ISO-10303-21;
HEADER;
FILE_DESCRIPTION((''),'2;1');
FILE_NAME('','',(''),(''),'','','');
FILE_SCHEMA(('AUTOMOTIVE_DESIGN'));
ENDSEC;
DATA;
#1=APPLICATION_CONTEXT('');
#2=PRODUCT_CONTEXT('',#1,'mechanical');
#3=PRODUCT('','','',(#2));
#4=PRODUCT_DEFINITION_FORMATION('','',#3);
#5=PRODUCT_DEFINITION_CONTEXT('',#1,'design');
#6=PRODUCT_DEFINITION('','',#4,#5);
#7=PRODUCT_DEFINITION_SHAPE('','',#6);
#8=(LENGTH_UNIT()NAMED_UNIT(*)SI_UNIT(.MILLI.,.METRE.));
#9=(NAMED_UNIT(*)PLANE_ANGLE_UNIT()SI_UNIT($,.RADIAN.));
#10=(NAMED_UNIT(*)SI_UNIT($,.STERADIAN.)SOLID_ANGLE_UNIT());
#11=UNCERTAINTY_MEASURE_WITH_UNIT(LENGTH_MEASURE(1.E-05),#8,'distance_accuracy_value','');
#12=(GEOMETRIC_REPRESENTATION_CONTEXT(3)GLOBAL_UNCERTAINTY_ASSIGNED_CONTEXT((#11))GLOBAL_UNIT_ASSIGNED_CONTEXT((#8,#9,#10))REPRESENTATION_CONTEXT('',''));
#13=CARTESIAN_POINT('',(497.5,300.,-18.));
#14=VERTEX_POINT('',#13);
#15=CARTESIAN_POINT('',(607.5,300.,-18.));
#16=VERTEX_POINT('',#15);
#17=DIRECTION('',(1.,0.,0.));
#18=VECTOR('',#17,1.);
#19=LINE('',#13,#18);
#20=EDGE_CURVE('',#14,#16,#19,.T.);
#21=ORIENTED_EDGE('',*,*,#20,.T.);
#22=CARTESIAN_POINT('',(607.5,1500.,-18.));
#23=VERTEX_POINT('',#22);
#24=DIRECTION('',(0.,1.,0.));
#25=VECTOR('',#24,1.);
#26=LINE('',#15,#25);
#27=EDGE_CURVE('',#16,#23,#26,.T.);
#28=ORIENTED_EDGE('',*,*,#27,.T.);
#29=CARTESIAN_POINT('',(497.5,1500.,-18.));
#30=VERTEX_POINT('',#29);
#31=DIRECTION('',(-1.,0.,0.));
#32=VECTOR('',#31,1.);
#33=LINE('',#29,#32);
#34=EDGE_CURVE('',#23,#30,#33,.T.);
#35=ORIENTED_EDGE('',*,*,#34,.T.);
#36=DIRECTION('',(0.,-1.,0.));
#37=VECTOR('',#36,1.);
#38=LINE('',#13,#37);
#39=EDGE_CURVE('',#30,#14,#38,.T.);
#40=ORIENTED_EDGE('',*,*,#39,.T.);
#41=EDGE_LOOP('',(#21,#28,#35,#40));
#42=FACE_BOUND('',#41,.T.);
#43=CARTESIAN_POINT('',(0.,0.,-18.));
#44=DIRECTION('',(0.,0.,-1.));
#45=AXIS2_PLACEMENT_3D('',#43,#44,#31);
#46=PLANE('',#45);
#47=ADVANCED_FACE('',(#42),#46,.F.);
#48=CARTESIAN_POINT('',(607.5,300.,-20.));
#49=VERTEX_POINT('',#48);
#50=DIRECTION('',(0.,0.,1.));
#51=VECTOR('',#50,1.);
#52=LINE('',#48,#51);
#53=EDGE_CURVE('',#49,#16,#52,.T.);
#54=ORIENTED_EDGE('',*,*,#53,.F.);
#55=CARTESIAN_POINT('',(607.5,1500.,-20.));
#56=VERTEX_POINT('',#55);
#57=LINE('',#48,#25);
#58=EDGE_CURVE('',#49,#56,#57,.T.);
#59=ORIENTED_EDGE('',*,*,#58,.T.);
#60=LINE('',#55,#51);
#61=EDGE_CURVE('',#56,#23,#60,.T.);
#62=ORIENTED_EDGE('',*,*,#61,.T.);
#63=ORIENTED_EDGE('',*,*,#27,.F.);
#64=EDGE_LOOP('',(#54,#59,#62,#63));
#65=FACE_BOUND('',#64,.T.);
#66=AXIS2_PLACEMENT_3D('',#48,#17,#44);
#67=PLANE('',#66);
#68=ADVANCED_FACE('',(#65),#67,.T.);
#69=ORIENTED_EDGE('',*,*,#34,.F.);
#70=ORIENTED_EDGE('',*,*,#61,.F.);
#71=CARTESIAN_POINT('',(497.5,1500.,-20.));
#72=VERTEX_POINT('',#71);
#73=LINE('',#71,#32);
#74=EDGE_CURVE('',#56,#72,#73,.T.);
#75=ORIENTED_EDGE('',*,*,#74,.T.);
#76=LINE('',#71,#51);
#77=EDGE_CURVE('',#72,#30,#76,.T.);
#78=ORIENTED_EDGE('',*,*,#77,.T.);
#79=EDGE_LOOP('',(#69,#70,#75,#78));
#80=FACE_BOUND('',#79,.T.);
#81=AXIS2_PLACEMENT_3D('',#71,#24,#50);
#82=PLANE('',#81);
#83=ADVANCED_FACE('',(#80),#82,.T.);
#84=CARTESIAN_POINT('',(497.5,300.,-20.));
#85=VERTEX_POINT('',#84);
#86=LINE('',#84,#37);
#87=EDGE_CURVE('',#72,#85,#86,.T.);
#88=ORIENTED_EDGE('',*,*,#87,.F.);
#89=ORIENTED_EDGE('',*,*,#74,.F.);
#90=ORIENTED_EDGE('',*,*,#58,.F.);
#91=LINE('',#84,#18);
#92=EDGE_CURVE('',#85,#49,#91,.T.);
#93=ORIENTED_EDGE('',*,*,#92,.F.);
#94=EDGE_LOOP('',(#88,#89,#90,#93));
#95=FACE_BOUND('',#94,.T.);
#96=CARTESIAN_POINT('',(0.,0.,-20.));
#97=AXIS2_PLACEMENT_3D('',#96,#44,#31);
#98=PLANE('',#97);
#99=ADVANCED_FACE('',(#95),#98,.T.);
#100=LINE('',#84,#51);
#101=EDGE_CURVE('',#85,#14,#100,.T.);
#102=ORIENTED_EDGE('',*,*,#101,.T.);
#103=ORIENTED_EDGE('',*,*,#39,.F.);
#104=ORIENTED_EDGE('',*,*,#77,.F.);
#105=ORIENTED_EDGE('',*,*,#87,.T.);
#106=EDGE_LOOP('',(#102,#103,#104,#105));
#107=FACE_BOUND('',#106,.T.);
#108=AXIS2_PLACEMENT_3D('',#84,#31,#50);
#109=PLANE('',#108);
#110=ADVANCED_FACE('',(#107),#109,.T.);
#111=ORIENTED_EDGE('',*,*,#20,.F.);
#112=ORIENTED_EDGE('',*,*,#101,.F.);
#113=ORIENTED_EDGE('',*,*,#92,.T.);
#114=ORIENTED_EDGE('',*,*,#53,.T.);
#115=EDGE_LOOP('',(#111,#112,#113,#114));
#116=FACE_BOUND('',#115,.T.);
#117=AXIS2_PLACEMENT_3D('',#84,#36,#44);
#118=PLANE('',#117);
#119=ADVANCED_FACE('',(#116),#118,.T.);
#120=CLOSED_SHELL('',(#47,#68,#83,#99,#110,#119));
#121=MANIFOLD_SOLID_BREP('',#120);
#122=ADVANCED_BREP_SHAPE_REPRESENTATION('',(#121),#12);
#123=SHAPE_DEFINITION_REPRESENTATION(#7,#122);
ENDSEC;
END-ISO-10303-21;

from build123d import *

# Parameters (mm, degrees)
TOPPING_SAG_KANAL_HAVA_DONUS_IZGARASI_1_START = -18
SKETCH1_W                                     = 110
SKETCH1_H                                     = 1200
TOPPING_SAG_KANAL_HAVA_DONUS_IZGARASI_1_DEPTH = 2


with BuildPart() as part:
    # Sketch1 → TOPPING_sag_kanal_hava_donus_izgarasi_1 (new body)
    with BuildSketch(Plane.XY.offset(TOPPING_SAG_KANAL_HAVA_DONUS_IZGARASI_1_START)):
        with Locations((552.5, 900)):
            Rectangle(SKETCH1_W, SKETCH1_H)
    extrude(amount=-TOPPING_SAG_KANAL_HAVA_DONUS_IZGARASI_1_DEPTH)


solid = part.part
